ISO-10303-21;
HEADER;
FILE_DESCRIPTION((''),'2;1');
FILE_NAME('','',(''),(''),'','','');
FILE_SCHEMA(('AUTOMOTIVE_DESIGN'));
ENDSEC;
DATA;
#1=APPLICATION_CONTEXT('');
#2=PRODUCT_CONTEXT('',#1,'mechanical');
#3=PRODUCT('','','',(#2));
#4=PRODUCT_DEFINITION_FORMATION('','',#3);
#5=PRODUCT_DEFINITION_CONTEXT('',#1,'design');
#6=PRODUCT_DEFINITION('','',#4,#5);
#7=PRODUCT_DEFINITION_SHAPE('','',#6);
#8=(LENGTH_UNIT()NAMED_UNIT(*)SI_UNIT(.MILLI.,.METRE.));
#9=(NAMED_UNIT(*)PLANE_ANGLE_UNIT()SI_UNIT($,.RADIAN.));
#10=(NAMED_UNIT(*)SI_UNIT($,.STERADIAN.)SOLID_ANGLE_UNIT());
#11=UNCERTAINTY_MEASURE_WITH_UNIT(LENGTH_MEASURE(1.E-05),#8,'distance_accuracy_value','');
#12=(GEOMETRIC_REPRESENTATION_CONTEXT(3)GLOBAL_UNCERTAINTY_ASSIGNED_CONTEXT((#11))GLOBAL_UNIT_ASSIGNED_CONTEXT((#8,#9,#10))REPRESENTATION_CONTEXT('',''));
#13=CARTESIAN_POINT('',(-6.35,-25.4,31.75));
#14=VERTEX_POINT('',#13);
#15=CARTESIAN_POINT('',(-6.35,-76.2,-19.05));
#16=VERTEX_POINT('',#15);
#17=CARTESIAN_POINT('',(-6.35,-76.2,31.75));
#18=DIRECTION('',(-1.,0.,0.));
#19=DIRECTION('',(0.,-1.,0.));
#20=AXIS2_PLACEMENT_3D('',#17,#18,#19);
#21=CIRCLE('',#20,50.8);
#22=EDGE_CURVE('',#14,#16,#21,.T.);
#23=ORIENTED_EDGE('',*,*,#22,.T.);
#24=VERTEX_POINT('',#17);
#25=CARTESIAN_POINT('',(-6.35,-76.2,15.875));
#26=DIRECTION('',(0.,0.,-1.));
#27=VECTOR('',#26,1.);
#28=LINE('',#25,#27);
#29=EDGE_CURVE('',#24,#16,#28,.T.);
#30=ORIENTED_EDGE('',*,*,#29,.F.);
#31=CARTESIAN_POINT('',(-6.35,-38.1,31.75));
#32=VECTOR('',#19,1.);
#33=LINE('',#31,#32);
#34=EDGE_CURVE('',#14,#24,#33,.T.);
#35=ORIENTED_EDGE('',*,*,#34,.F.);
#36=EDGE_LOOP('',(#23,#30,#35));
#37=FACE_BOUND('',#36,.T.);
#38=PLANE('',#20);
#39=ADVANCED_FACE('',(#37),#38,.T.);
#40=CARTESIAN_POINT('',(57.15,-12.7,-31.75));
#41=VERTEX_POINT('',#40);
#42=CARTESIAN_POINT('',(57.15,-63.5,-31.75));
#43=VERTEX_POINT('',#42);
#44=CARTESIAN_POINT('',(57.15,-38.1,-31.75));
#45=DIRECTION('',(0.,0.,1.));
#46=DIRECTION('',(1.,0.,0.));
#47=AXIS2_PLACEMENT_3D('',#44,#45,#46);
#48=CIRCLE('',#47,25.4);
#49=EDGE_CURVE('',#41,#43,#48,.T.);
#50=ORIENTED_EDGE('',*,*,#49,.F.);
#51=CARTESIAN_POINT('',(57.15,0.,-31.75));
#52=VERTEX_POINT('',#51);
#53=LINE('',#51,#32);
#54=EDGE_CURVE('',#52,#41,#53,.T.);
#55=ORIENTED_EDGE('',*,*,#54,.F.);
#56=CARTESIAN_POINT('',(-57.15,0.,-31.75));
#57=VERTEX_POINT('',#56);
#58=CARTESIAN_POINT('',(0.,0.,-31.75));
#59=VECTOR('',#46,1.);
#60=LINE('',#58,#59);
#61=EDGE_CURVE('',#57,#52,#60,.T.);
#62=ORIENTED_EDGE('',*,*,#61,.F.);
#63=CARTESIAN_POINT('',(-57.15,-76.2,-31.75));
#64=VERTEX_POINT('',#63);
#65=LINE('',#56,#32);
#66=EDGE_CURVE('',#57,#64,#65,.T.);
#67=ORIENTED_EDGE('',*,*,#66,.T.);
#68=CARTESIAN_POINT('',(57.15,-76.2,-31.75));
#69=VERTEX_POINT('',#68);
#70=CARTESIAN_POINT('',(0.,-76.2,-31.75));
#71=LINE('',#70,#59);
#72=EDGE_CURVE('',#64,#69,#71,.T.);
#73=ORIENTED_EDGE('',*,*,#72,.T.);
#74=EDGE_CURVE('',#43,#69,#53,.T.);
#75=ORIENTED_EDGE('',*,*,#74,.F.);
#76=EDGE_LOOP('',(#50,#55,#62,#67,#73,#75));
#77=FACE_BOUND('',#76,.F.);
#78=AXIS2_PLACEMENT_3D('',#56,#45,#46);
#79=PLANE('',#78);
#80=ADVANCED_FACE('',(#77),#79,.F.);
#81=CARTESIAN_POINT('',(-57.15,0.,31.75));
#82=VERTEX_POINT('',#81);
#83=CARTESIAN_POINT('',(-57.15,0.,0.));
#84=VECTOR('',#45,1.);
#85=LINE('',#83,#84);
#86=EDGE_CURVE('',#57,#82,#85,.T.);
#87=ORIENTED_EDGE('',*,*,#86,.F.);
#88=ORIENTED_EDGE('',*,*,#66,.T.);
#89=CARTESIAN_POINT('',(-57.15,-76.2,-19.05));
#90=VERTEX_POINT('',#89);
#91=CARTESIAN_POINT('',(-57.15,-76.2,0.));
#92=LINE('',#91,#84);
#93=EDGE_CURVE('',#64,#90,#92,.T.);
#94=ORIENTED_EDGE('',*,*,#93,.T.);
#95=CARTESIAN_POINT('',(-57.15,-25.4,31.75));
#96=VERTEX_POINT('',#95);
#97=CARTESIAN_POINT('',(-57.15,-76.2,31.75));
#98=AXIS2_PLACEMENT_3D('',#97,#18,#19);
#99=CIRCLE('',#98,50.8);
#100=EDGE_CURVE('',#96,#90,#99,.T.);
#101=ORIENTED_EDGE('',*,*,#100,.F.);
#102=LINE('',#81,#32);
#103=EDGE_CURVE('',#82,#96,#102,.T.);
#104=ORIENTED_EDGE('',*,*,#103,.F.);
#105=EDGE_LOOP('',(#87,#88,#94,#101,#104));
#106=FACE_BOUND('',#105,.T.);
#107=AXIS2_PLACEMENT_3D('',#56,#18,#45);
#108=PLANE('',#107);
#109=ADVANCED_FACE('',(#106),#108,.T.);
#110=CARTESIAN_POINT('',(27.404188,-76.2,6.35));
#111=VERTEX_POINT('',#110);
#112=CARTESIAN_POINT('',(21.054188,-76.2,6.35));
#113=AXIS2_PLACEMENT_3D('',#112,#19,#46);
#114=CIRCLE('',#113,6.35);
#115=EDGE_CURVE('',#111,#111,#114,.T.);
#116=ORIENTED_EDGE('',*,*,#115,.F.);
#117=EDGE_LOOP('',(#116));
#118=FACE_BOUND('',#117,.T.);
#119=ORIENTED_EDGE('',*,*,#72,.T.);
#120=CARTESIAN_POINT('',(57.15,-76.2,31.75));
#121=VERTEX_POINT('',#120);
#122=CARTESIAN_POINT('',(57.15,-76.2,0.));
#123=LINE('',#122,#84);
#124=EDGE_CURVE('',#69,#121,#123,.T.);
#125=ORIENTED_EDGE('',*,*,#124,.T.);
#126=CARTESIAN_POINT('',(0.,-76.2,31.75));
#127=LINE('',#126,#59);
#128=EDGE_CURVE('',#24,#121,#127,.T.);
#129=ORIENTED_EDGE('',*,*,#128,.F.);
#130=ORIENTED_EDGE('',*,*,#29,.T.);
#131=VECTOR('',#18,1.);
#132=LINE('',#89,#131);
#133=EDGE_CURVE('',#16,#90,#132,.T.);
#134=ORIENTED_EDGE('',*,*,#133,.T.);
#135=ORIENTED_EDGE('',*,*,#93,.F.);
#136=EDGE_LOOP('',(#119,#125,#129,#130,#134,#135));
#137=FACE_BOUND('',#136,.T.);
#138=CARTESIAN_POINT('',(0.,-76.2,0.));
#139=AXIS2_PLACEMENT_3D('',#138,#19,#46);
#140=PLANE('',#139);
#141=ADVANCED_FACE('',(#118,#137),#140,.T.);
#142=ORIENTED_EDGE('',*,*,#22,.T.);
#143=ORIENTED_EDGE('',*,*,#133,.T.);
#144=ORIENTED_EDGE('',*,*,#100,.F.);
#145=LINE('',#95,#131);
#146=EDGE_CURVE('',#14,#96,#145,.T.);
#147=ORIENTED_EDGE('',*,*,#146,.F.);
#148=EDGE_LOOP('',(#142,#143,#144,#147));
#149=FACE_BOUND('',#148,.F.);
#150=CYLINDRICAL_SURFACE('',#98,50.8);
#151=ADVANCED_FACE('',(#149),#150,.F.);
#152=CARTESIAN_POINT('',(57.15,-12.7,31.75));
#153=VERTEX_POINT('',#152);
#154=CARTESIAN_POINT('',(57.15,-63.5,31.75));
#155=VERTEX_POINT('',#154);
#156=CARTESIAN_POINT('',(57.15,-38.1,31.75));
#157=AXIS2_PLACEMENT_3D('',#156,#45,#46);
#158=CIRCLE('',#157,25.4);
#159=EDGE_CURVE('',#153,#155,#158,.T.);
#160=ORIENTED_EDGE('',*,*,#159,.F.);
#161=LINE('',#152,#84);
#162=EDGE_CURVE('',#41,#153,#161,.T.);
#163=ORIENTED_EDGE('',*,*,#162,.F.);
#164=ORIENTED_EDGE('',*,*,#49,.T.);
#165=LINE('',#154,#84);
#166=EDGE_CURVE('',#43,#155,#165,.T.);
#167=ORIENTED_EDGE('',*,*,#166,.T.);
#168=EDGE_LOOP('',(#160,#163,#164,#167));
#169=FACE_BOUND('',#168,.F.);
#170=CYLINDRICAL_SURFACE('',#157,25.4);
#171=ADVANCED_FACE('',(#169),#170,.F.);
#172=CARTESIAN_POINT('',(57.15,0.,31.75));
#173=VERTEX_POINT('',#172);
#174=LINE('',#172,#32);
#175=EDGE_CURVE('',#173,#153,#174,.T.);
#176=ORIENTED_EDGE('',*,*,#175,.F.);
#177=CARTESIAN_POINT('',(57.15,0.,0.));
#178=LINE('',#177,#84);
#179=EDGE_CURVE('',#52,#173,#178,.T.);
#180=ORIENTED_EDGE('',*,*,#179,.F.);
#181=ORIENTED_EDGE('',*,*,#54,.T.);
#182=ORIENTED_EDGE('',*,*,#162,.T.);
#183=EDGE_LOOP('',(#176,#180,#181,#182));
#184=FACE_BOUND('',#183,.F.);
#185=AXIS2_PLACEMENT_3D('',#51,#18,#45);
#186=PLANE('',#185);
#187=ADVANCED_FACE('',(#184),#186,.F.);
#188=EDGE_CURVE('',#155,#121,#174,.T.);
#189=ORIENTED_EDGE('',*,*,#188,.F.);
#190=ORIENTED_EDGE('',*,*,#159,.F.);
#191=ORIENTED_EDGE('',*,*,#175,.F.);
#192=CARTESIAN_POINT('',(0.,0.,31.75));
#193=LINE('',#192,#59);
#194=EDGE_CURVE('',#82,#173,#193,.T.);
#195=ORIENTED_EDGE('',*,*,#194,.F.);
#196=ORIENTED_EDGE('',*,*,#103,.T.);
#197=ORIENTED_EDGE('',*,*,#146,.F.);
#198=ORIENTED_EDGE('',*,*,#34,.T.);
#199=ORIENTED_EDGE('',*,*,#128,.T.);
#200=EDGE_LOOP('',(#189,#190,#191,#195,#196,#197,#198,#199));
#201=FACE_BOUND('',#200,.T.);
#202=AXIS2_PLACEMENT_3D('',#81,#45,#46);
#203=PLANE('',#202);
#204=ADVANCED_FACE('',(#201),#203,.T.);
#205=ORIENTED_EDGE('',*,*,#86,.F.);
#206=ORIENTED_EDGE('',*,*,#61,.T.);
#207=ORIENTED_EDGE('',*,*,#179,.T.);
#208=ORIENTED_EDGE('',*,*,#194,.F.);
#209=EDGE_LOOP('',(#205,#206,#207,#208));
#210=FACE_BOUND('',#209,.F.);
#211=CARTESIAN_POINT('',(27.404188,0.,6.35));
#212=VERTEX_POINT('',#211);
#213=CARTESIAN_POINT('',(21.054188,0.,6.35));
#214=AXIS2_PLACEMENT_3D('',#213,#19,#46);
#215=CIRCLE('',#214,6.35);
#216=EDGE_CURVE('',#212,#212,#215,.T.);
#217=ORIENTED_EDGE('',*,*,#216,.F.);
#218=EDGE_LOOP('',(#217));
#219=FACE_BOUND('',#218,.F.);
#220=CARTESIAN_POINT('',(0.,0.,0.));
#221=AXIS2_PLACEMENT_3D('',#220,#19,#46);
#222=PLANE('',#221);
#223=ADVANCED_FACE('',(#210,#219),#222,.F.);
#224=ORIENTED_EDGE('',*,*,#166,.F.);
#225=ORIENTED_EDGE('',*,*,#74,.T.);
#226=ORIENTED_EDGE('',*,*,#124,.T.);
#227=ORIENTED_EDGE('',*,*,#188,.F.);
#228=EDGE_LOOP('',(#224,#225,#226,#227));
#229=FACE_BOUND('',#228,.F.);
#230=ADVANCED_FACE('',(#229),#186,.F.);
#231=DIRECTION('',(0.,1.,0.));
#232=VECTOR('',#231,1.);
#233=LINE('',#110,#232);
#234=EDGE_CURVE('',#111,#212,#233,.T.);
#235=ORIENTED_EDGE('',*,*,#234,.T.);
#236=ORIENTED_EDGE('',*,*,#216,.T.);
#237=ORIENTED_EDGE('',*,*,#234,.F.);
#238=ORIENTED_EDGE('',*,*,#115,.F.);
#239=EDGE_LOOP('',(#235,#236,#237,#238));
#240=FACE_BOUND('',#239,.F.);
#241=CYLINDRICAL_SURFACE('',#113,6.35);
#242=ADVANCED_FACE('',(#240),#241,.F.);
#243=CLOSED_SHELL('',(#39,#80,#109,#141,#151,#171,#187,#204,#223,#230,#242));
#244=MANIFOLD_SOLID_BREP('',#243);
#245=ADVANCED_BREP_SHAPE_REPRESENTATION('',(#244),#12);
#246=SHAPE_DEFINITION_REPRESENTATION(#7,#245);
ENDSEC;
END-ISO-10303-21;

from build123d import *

# Parameters (mm, degrees)
F0_W     = 114.3
F0_H     = 63.5
F1_DEPTH = 76.2
F2_R     = 50.8
F3_DEPTH = 50.8
F4_R     = 6.35
F5_DEPTH = 76.2
F6_R     = 25.4
F7_DEPTH = 87.376


with BuildPart() as f1:
    # F0 (on Front) → F1 (new body)
    with BuildSketch(Plane.XZ):
        Rectangle(F0_W, F0_H)
    extrude(amount=F1_DEPTH)

    # F2 (on face) → F3 (cut)
    with BuildSketch(Plane(origin=(-57.15, 0, 0), x_dir=(0, -1, 0), z_dir=(-1, 0, 0))):
        with Locations((76.2, 31.75)):
            Circle(F2_R)
    extrude(amount=-F3_DEPTH, mode=Mode.SUBTRACT)

    # F4 (on face) → F5 (cut)
    with BuildSketch(Plane.XZ.offset(76.2)):
        with Locations((21.054188, 6.35)):
            Circle(F4_R)
    extrude(amount=-F5_DEPTH, mode=Mode.SUBTRACT)

    # F6 (on face) → F7 (cut)
    with BuildSketch(Plane.XY.offset(31.75)):
        with Locations((57.15, -38.1)):
            Circle(F6_R)
    extrude(amount=-F7_DEPTH, mode=Mode.SUBTRACT)


solid = f1.part
